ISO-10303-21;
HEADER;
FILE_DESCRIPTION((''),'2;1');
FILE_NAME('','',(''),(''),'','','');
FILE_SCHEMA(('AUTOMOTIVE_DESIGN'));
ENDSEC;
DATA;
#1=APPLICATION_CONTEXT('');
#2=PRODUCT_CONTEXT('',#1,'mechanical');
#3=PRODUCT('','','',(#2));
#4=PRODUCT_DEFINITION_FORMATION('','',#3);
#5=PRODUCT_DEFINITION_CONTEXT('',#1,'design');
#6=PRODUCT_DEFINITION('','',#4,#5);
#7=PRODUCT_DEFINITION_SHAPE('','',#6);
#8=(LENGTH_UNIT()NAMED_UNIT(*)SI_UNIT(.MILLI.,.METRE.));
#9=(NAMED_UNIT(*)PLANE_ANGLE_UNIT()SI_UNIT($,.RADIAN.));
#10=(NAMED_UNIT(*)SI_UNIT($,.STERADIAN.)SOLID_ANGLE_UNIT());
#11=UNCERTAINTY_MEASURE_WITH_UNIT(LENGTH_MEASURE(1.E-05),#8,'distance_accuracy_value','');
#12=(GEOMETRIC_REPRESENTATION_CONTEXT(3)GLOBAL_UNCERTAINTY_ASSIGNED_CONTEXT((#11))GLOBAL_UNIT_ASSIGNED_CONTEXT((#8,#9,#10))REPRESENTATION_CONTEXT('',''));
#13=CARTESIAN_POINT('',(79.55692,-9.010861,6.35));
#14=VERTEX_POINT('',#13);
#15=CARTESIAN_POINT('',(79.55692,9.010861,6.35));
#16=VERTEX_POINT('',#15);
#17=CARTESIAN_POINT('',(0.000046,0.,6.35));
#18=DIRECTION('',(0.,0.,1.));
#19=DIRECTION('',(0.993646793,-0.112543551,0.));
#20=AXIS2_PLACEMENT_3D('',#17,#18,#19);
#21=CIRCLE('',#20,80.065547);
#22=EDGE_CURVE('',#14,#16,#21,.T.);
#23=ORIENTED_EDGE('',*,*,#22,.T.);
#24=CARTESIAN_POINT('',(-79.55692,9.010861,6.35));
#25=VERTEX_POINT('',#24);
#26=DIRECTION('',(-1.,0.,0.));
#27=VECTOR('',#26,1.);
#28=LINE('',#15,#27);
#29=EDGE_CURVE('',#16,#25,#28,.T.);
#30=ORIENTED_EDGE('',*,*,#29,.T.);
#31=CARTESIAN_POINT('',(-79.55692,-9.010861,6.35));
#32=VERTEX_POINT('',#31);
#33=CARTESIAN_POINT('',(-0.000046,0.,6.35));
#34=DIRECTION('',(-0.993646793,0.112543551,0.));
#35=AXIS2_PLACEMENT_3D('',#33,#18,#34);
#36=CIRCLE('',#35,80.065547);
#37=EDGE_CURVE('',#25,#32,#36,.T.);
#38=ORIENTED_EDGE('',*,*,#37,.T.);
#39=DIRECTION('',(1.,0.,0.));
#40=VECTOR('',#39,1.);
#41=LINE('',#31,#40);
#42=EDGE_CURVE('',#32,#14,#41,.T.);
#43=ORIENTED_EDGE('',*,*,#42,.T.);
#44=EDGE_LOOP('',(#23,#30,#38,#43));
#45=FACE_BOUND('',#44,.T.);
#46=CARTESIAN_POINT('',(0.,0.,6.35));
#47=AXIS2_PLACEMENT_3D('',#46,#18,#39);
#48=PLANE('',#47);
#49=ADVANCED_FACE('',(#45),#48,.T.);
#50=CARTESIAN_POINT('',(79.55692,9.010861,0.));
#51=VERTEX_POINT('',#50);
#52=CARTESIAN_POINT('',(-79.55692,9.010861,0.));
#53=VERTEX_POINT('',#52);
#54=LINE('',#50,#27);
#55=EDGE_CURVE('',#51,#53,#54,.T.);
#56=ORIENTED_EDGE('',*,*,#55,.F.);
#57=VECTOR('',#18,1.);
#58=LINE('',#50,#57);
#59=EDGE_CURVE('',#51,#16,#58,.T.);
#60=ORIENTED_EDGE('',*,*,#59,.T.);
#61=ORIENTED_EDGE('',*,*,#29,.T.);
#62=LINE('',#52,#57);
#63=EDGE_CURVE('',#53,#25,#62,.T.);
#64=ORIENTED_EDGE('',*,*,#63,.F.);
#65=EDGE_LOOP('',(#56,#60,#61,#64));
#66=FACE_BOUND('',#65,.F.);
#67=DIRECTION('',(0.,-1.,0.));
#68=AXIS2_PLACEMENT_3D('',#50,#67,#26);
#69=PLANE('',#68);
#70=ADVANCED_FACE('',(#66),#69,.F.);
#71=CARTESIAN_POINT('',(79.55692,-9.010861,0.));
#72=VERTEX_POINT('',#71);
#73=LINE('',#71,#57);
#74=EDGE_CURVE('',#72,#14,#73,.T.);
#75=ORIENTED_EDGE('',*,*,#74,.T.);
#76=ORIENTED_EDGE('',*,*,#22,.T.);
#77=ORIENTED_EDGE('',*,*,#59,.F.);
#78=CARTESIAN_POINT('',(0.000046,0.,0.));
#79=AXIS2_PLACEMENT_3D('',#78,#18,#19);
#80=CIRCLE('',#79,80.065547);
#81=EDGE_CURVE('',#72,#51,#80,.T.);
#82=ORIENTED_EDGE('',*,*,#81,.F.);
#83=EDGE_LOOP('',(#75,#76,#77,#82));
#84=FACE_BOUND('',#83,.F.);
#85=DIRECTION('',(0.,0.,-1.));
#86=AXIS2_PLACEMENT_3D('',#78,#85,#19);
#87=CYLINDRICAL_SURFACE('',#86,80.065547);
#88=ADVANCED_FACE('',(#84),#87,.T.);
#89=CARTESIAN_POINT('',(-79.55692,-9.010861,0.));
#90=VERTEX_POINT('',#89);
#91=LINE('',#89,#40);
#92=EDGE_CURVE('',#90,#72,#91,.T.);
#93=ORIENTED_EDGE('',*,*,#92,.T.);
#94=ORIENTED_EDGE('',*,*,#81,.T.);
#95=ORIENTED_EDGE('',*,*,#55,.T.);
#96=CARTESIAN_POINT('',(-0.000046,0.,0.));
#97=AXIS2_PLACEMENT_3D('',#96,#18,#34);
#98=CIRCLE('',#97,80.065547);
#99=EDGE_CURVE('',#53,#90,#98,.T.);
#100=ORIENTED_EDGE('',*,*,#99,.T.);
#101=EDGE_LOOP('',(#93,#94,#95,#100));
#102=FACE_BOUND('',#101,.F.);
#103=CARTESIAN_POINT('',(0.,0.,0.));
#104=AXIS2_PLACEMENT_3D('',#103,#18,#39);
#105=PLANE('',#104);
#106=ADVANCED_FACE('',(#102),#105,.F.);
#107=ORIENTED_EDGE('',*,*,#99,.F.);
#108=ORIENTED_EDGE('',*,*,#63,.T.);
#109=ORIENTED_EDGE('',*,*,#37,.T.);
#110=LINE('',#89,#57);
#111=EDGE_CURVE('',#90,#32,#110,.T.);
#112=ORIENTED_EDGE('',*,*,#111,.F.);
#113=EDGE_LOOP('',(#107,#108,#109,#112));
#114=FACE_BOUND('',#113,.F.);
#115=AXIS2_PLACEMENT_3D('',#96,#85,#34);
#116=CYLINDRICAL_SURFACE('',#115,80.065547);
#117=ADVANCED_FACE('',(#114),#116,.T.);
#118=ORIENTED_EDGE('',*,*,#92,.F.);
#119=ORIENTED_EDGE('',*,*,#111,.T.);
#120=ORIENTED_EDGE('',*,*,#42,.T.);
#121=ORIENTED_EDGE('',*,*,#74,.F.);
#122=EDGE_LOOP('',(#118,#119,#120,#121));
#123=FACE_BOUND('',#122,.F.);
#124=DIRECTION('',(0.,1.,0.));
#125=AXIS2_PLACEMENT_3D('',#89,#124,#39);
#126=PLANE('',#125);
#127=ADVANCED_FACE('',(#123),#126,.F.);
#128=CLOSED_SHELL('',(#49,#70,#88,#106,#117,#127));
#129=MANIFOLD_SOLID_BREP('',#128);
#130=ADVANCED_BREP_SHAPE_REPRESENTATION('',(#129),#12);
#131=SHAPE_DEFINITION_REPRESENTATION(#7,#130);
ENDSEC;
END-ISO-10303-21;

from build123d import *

# Parameters (mm, degrees)
F1_DEPTH = 6.35


with BuildPart() as f1:
    # F0 (on Top) → F1 (new body)
    with BuildSketch(Plane.XY):
        with BuildLine():
            Line((0, 9.010861), (-79.55692, 9.010861))
            ThreePointArc((-79.55692, 9.010861), (-80.065593, 0), (-79.55692, -9.010861))
            Line((-79.55692, -9.010861), (0, -9.010861))
            Line((0, -9.010861), (79.55692, -9.010861))
            ThreePointArc((79.55692, -9.010861), (80.065593, 0), (79.55692, 9.010861))
            Line((79.55692, 9.010861), (0, 9.010861))
        make_face()
    extrude(amount=F1_DEPTH)


solid = f1.part
